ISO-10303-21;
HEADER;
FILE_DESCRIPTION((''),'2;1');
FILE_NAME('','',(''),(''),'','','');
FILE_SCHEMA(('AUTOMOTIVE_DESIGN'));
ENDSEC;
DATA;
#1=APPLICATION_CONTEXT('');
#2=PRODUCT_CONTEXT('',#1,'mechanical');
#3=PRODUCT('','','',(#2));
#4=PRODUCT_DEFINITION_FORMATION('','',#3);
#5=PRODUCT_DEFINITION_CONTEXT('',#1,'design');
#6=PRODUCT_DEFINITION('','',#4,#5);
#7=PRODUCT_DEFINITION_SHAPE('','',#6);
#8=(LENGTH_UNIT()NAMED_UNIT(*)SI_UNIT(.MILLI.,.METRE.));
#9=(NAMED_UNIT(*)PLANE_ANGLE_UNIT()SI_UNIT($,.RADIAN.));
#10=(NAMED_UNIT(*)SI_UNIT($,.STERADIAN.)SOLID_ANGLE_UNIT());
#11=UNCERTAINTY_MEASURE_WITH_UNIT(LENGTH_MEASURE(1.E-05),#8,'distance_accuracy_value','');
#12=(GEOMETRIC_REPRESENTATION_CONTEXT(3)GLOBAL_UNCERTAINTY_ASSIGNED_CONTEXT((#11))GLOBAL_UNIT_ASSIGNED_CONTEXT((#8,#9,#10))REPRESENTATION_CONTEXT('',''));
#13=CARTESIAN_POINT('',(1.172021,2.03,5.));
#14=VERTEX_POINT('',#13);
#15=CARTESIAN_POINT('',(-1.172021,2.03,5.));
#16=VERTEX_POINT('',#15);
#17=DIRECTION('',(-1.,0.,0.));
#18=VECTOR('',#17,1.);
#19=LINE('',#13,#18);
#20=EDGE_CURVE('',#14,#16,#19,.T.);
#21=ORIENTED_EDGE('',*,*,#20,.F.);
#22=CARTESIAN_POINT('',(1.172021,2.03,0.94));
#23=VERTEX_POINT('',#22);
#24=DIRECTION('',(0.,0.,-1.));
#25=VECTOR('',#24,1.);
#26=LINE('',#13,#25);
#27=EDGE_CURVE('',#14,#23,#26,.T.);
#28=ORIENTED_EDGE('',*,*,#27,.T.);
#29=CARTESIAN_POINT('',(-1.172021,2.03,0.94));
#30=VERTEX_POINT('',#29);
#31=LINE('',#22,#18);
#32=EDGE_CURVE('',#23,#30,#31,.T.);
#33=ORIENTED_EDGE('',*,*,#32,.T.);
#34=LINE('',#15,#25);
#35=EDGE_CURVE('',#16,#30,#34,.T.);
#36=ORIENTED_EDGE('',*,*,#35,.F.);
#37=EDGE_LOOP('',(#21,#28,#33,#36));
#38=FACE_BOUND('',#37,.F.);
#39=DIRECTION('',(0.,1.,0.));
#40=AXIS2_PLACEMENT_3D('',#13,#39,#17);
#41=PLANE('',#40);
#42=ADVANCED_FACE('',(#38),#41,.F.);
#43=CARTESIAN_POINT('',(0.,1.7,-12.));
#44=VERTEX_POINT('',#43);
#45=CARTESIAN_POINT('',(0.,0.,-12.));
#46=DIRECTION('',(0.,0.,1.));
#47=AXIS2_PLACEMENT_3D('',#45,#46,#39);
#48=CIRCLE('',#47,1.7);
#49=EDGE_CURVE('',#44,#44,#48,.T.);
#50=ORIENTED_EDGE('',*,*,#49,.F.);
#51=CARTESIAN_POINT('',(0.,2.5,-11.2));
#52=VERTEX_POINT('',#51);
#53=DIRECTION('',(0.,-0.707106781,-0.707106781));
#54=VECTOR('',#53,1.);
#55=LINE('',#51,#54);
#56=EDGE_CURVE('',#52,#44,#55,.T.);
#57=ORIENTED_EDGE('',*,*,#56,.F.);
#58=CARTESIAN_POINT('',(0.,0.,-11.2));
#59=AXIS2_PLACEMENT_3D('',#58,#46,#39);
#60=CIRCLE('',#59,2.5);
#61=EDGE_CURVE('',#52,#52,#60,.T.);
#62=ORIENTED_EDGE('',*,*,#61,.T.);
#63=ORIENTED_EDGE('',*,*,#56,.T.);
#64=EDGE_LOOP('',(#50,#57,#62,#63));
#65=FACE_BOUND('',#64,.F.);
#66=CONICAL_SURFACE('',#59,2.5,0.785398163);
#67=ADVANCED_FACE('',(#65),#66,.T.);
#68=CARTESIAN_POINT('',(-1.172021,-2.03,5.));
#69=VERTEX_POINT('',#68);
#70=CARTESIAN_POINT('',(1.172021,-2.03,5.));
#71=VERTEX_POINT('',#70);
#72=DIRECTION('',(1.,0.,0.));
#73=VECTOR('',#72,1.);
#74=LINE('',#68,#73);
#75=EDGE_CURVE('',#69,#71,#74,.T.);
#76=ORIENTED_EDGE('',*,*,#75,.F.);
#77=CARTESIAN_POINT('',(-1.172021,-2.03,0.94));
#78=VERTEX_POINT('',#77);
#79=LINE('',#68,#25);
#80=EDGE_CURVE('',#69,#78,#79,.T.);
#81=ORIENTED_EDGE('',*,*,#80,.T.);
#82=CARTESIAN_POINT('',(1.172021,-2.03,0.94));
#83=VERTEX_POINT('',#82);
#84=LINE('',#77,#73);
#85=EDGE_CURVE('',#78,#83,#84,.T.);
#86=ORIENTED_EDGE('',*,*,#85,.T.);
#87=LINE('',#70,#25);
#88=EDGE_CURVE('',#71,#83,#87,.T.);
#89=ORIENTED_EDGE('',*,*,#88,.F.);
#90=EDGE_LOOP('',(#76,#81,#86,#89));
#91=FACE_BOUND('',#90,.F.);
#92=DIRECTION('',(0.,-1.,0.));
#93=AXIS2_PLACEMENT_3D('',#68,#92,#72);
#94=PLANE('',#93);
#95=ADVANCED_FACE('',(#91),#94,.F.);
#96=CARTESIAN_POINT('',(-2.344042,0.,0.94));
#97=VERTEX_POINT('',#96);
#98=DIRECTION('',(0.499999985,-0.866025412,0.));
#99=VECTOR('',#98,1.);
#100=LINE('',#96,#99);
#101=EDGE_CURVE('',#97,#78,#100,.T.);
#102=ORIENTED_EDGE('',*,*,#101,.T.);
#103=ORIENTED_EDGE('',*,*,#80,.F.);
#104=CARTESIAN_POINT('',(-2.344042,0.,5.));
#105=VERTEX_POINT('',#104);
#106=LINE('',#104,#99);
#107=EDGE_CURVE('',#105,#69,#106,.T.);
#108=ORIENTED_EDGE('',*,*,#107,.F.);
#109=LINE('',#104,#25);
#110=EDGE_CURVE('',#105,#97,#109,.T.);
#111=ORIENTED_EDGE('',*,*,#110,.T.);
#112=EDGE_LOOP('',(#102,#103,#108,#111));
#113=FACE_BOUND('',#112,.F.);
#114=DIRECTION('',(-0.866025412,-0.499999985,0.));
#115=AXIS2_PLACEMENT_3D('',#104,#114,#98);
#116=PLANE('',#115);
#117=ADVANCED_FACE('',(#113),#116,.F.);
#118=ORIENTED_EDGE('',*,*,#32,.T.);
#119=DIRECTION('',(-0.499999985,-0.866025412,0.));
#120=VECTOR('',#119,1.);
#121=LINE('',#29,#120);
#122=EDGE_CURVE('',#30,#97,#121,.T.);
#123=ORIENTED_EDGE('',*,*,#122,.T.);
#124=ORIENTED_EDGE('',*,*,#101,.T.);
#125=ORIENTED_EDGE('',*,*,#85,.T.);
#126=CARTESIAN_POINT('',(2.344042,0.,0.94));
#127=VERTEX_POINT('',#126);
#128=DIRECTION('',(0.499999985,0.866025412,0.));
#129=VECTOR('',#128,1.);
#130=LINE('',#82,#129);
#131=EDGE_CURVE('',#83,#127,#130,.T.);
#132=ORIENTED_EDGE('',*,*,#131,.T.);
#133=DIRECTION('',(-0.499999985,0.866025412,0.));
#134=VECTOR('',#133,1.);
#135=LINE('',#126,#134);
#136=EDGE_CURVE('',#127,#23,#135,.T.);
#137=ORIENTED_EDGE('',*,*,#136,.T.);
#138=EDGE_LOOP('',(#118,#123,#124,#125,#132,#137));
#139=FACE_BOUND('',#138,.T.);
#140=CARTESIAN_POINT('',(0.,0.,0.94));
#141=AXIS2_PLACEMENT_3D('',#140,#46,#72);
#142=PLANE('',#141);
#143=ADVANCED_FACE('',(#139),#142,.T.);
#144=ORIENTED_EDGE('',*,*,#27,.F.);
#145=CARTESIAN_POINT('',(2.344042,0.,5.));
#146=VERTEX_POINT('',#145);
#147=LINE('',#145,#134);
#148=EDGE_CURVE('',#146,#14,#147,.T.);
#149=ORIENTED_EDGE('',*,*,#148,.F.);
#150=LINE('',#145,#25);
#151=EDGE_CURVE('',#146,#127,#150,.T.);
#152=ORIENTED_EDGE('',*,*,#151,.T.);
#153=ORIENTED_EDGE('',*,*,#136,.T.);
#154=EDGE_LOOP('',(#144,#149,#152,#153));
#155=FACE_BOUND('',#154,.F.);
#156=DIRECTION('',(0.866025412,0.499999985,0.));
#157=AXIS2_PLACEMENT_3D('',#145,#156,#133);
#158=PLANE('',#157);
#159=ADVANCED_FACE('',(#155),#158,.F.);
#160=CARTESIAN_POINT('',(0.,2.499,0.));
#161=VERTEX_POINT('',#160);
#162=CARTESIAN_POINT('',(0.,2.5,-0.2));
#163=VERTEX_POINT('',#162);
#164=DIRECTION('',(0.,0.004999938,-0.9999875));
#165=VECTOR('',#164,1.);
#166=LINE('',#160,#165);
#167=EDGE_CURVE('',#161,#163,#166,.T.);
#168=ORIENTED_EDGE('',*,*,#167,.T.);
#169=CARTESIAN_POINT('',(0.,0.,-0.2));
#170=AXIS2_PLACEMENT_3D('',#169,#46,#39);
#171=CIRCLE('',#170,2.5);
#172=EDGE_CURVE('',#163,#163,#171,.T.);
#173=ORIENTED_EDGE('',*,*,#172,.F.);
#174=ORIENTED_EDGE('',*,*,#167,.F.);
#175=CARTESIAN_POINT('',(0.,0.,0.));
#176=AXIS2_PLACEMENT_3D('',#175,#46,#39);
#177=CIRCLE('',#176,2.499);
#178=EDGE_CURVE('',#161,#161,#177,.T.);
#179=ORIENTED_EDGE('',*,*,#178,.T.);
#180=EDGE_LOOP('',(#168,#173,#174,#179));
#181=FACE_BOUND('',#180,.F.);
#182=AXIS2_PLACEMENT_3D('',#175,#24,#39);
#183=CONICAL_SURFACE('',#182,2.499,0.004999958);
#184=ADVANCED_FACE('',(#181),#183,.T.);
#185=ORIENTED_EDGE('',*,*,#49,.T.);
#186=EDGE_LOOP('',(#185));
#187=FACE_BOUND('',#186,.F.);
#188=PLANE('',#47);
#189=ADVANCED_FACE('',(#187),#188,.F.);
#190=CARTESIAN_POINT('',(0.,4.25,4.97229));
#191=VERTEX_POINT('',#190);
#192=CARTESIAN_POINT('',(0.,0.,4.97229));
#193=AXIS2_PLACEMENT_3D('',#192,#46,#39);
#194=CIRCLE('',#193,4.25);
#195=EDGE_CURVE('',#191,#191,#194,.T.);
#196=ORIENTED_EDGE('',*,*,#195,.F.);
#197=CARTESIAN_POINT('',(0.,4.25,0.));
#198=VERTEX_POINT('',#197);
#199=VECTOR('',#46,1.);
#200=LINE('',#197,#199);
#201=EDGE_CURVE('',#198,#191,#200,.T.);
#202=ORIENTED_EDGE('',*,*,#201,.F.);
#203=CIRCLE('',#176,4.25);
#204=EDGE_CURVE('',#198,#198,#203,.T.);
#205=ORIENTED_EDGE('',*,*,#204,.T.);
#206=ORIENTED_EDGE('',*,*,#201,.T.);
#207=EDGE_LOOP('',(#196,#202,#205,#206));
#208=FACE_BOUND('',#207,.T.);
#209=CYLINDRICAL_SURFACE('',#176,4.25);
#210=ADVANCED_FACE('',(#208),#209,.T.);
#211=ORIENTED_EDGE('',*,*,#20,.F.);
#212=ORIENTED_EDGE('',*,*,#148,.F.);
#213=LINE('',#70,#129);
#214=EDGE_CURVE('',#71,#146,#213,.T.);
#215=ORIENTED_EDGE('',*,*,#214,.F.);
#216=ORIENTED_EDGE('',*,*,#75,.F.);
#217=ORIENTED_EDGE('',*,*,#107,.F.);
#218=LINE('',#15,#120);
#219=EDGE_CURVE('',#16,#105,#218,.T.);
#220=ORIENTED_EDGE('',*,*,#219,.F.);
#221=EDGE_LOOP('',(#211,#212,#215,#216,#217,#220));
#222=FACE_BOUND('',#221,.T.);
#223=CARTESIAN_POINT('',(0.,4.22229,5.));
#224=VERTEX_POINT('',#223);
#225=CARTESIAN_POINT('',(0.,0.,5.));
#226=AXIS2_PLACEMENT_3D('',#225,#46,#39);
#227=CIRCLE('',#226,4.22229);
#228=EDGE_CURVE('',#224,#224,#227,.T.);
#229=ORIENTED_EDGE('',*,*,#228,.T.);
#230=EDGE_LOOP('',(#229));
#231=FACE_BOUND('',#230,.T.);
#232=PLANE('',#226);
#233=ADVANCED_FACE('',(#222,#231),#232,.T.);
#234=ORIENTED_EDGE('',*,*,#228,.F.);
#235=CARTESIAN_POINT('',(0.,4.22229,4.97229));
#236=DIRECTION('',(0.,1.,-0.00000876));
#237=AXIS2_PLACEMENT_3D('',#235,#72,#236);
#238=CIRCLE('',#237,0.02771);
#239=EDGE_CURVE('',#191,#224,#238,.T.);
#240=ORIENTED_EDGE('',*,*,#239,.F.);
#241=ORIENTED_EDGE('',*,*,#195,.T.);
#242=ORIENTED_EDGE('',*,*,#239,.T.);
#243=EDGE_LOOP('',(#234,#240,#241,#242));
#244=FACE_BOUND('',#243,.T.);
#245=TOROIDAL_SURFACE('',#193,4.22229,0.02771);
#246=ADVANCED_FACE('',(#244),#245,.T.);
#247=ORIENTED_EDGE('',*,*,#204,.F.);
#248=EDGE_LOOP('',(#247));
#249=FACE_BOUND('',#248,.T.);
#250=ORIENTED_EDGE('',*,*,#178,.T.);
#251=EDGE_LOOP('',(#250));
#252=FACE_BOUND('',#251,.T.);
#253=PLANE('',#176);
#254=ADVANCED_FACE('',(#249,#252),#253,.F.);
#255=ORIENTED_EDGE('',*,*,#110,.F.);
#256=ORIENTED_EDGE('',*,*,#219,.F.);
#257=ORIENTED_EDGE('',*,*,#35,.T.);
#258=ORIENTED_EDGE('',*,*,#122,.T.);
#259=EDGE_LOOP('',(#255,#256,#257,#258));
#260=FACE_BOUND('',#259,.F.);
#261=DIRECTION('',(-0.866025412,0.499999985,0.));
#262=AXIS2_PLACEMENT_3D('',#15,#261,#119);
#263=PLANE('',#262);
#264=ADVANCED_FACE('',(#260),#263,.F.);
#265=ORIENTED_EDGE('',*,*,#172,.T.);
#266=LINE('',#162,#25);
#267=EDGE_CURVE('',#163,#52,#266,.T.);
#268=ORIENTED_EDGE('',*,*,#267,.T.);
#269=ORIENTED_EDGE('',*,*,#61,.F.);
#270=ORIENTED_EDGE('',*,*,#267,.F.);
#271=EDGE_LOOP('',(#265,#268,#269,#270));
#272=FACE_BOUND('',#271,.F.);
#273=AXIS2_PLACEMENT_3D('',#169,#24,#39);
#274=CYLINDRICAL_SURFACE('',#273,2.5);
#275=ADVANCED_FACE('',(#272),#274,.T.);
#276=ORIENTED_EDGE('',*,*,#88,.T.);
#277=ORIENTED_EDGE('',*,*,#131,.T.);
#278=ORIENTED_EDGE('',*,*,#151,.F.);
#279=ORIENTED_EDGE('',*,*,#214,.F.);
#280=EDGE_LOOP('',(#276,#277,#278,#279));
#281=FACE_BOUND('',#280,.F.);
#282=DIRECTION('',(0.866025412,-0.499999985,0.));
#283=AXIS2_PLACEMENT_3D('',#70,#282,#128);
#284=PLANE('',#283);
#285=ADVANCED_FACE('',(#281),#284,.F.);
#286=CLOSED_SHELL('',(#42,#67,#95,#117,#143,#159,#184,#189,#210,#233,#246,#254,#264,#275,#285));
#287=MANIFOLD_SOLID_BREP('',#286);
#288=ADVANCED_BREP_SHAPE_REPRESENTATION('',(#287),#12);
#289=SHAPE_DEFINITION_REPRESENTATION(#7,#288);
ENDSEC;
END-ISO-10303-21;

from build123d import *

# Parameters (mm, degrees)
POCKET_DEPTH = 4.06


with BuildPart() as part:
    # Sketch → Revolve (revolve)
    with BuildSketch(Plane.YZ):
        with BuildLine():
            Line((2.499, 0), (4.25, 0))
            Line((4.25, 0), (4.25, 4.97229))
            ThreePointArc((4.25, 4.97229), (4.241884, 4.991884), (4.22229, 5))
            Line((4.22229, 5), (0, 5))
            Line((0, -12), (0, 5))
            Line((1.7, -12), (0, -12))
            Line((2.5, -11.2), (1.7, -12))
            Line((2.5, -0.2), (2.5, -11.2))
            Line((2.499, 0), (2.5, -0.2))
        make_face()
    revolve(axis=Axis((0, 0, 0), (0, 0, 1)))

    # Sketch001 → Pocket (cut)
    with BuildSketch(Plane.XY.offset(5)):
        Polygon((2.344042, 0), (1.172021, 2.03), (-1.172021, 2.03), (-2.344042, 0), (-1.172021, -2.03), (1.172021, -2.03), align=None)
    extrude(amount=-POCKET_DEPTH, mode=Mode.SUBTRACT)


solid = part.part
